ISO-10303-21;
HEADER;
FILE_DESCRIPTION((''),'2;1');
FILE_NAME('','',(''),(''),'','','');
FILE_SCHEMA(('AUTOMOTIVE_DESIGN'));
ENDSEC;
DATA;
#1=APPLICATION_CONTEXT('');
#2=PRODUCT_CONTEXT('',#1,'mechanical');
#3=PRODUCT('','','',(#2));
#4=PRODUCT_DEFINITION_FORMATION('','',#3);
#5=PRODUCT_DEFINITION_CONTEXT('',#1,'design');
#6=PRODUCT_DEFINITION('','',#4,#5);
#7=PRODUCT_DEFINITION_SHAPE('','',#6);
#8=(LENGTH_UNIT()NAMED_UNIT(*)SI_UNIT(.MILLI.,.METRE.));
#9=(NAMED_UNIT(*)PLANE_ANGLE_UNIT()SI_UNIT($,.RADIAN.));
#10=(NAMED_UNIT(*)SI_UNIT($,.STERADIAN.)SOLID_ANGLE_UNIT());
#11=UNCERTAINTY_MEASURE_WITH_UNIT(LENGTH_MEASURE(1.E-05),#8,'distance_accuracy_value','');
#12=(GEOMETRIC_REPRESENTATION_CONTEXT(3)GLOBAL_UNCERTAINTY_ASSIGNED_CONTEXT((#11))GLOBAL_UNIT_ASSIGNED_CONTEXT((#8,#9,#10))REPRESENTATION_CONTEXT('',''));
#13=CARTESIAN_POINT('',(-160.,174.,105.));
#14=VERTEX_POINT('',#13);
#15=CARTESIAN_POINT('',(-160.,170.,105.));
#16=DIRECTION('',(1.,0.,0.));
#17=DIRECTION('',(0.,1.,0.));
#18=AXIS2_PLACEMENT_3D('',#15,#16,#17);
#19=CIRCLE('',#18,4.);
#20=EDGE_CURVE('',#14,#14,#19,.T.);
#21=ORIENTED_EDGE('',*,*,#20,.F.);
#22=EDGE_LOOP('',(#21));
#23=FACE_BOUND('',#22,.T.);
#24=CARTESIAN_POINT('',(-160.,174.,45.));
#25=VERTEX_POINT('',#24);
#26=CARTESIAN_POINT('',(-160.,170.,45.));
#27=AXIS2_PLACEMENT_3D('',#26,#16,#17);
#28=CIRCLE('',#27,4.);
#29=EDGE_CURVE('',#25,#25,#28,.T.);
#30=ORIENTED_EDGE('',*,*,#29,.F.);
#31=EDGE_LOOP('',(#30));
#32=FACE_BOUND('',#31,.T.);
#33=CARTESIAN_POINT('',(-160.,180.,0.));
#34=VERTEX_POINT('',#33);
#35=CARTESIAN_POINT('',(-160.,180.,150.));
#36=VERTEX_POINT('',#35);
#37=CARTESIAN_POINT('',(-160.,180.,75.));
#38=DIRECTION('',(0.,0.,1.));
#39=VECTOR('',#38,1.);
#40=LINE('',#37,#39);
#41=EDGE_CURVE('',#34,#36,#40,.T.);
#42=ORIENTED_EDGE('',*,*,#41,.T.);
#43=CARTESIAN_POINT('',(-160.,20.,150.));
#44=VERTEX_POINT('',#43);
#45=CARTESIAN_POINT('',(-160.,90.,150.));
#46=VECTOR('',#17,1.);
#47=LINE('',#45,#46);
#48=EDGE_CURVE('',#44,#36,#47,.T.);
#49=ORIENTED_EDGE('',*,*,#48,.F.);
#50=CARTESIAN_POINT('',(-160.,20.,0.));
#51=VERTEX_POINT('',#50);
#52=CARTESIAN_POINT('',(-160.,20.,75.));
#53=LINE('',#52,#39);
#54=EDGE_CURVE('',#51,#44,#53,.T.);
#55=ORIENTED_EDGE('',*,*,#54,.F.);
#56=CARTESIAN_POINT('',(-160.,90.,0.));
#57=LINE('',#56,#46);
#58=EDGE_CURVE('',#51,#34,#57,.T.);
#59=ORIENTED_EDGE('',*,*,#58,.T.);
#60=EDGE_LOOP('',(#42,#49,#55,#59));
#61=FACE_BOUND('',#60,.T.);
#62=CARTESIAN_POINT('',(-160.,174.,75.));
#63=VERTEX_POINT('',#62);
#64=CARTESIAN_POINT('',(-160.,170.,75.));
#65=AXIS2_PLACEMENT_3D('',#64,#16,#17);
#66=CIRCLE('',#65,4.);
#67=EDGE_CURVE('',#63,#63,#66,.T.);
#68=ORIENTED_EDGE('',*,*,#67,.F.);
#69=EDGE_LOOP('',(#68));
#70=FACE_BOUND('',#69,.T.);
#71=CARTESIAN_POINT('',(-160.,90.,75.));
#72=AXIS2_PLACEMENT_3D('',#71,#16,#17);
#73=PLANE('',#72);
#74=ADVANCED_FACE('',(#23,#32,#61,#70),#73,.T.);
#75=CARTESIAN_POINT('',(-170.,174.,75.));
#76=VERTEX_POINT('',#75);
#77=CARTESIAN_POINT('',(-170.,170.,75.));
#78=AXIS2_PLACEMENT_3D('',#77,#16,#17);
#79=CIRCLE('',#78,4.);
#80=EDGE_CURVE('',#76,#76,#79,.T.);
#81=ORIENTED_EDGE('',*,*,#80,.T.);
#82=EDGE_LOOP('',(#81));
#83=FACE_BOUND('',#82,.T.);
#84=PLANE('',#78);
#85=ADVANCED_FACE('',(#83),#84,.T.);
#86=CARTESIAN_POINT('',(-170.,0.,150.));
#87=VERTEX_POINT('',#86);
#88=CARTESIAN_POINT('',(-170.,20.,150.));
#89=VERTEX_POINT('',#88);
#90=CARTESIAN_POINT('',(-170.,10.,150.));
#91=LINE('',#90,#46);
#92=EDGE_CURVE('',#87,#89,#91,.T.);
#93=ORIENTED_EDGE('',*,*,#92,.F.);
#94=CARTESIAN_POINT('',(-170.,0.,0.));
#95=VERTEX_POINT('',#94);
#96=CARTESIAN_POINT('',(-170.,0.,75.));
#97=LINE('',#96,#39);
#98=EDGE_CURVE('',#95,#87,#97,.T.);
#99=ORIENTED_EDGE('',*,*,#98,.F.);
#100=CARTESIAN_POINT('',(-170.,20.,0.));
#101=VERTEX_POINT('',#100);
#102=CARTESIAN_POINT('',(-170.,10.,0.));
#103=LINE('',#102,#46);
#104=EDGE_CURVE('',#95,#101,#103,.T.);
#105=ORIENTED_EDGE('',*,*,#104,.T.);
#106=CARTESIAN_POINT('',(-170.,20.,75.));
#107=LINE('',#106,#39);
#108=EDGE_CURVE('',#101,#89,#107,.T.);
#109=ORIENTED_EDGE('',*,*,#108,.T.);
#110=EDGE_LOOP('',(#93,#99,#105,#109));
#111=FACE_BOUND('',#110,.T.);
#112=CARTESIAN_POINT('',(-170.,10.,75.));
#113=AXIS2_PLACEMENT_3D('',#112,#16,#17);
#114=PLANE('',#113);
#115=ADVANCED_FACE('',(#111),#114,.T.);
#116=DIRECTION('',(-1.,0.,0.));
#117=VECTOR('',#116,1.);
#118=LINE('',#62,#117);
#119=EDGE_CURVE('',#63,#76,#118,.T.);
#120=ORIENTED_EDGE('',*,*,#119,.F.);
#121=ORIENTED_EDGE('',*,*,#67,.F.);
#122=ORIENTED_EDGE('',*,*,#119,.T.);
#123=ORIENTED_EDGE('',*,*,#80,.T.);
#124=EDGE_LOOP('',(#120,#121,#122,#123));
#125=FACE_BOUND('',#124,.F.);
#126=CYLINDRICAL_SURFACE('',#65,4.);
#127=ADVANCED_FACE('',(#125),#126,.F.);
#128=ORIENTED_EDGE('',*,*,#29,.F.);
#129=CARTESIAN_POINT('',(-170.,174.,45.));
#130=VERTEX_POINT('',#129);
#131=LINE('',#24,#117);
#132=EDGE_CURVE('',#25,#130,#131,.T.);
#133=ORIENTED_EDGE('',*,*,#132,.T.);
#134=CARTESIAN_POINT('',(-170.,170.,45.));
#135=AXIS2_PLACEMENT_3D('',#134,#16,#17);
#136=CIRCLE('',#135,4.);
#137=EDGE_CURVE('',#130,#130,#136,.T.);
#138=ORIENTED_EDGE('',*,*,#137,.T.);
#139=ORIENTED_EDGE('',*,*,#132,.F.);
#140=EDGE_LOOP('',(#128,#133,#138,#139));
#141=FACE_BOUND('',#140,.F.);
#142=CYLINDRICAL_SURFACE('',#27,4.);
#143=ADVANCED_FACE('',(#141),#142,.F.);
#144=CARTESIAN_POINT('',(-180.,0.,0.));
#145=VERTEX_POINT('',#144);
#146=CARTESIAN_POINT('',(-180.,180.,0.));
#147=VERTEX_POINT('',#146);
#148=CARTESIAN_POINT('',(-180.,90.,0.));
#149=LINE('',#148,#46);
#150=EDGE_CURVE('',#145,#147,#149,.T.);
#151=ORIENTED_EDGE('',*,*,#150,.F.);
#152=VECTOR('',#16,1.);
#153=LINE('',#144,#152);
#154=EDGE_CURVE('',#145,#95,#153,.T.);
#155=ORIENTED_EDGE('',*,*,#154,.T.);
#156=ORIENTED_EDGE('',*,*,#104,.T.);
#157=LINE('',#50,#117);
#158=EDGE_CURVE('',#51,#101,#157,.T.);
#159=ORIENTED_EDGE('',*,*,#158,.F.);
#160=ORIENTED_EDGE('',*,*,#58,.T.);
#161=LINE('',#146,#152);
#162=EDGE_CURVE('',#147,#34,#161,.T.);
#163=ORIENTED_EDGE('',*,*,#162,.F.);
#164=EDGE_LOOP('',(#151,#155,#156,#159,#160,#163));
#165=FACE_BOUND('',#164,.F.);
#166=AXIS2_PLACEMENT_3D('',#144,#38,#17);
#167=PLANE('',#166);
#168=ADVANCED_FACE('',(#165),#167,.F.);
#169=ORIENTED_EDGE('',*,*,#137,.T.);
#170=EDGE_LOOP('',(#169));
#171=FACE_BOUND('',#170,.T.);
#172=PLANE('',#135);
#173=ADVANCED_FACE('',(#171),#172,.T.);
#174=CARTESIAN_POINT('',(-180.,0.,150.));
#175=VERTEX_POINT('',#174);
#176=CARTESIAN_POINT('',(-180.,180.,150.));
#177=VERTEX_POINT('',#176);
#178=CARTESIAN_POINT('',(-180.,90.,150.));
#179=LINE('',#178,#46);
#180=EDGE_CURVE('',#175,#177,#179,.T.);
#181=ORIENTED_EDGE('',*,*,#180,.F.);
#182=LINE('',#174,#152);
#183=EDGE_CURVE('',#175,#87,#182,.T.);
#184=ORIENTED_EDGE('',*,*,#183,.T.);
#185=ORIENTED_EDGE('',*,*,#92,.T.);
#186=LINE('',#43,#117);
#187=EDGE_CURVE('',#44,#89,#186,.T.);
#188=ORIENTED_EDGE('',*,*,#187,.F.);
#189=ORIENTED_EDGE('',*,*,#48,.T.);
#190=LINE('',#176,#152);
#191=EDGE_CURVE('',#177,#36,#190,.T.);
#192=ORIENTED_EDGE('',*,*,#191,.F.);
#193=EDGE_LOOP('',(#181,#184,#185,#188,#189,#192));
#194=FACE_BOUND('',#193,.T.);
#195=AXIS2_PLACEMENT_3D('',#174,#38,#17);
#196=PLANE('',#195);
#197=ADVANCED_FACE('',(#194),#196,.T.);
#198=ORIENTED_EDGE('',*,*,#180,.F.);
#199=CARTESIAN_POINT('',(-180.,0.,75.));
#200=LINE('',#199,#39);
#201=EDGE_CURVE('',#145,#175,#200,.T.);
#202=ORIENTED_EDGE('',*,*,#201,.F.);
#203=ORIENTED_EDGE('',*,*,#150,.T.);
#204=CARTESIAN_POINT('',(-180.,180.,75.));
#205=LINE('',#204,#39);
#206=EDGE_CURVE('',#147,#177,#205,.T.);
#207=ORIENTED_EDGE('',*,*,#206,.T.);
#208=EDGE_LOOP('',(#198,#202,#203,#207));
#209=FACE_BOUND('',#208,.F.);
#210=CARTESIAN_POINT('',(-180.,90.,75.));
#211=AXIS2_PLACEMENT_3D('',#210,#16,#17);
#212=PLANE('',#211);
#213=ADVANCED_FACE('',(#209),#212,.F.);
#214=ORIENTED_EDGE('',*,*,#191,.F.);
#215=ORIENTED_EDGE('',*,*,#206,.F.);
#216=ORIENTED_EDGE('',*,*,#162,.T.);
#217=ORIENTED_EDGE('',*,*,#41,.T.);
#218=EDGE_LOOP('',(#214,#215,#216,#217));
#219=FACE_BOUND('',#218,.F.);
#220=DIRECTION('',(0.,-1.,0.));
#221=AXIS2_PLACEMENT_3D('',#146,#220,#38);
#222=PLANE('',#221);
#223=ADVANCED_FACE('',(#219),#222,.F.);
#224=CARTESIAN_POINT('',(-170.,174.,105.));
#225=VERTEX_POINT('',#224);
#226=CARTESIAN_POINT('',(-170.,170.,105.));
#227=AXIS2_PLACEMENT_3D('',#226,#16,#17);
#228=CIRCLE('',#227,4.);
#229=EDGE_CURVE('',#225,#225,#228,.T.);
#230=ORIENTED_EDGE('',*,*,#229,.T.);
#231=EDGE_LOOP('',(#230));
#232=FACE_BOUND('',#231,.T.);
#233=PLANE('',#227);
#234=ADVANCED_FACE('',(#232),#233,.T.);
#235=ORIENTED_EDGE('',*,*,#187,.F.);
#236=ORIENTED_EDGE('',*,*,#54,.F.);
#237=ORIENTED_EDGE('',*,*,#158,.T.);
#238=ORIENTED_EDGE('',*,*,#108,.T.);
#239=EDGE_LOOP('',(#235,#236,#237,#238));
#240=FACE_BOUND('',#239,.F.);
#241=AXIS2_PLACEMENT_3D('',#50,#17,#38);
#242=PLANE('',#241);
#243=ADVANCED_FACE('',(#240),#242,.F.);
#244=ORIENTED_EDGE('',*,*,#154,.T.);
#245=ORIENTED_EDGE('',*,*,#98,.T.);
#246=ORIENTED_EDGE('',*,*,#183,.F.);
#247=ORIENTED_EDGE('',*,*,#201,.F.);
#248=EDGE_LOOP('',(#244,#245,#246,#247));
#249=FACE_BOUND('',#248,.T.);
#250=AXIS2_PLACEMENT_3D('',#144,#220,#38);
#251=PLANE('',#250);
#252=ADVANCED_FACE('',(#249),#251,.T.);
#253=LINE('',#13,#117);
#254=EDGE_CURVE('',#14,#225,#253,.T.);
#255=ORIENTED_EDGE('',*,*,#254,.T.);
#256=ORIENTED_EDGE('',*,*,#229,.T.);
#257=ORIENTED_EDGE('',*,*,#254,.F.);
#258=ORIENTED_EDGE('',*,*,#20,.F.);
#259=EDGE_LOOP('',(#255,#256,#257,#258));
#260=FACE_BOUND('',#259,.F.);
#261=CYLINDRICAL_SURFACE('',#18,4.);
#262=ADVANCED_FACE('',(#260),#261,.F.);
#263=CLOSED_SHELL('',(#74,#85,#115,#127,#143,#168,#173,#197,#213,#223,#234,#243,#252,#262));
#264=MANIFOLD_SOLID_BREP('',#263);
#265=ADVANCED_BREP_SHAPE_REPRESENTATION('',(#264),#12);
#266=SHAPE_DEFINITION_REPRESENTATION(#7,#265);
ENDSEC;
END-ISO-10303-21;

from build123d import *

# Parameters (mm, degrees)
F0_W     = 180
F0_H     = 150
F1_DEPTH = 20
F2_R     = 4
F3_DEPTH = 10
F4_W     = 20
F4_H     = 150
F5_DEPTH = 10
F6_ANGLE = 90


with BuildPart() as f1:
    # F0 (on Front) → F1 (new body)
    with BuildSketch(Plane.XZ):
        with Locations((-90, 75)):
            Rectangle(F0_W, F0_H)
    extrude(amount=F1_DEPTH)

    # F2 (on face) → F3 (cut)
    with BuildSketch(Plane.XZ.offset(20)):
        with Locations((-10, 105)):
            Circle(F2_R)
        with Locations((-10, 75)):
            Circle(F2_R)
        with Locations((-10, 45)):
            Circle(F2_R)
    extrude(amount=-F3_DEPTH, mode=Mode.SUBTRACT)

    # F4 (on face) → F5 (cut)
    with BuildSketch(Plane.XZ.offset(20)):
        with Locations((-170, 75)):
            Rectangle(F4_W, F4_H)
    extrude(amount=-F5_DEPTH, mode=Mode.SUBTRACT)


with BuildPart() as f1_1:
    # F6: moved
    add(f1.part.rotate(Axis((-180, 0, 75), (0, 0, 1)), F6_ANGLE))


solid = f1_1.part
